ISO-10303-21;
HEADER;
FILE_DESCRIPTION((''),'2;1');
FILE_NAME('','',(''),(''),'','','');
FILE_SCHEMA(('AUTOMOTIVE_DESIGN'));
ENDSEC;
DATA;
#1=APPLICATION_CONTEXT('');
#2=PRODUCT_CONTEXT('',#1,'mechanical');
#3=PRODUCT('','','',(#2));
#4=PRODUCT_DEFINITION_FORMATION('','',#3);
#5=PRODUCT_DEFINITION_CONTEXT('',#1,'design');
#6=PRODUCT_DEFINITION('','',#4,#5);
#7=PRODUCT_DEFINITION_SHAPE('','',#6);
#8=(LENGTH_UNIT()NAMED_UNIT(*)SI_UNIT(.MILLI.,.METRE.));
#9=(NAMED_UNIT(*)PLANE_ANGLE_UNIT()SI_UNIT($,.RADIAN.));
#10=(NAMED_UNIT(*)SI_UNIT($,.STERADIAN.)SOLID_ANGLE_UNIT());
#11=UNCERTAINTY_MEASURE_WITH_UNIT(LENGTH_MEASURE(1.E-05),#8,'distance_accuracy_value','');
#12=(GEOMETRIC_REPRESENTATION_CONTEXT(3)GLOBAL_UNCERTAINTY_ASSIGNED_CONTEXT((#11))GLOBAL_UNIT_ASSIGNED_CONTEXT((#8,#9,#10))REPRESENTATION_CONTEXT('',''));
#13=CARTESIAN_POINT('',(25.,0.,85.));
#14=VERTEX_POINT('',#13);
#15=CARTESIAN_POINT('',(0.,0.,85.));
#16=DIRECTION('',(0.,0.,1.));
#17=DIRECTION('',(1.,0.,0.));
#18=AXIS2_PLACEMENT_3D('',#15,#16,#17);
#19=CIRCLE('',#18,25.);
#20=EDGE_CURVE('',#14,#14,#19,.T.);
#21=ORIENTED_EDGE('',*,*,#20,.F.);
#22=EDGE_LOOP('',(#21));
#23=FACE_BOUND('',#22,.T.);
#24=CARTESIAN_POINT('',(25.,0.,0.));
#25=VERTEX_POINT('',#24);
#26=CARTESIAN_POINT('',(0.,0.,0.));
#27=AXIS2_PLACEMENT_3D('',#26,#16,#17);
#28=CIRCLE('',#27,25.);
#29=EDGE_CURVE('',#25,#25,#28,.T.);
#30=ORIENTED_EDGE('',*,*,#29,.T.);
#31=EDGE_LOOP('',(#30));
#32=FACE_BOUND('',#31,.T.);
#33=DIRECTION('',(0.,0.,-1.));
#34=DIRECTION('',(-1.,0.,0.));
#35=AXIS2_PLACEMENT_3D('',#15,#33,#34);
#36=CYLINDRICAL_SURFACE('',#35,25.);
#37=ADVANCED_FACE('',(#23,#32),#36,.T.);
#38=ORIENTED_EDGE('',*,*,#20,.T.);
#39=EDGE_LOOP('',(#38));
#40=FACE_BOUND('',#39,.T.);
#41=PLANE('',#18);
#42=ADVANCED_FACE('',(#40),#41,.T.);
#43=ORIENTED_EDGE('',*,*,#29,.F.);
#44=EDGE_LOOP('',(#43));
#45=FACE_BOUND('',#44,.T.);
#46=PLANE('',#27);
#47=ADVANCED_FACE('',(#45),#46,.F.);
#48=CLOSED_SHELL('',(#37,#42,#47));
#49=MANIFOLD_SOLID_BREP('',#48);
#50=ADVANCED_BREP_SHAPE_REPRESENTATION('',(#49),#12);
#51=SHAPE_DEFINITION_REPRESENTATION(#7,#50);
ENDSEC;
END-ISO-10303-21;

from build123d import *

# Parameters (mm, degrees)
ESQUISSE1_R        = 25
BOSS_EXTRU_1_DEPTH = 85


with BuildPart() as part:
    # Esquisse1 → Boss.-Extru.1 (new body)
    with BuildSketch(Plane.XY):
        Circle(ESQUISSE1_R)
    extrude(amount=BOSS_EXTRU_1_DEPTH)


solid = part.part
